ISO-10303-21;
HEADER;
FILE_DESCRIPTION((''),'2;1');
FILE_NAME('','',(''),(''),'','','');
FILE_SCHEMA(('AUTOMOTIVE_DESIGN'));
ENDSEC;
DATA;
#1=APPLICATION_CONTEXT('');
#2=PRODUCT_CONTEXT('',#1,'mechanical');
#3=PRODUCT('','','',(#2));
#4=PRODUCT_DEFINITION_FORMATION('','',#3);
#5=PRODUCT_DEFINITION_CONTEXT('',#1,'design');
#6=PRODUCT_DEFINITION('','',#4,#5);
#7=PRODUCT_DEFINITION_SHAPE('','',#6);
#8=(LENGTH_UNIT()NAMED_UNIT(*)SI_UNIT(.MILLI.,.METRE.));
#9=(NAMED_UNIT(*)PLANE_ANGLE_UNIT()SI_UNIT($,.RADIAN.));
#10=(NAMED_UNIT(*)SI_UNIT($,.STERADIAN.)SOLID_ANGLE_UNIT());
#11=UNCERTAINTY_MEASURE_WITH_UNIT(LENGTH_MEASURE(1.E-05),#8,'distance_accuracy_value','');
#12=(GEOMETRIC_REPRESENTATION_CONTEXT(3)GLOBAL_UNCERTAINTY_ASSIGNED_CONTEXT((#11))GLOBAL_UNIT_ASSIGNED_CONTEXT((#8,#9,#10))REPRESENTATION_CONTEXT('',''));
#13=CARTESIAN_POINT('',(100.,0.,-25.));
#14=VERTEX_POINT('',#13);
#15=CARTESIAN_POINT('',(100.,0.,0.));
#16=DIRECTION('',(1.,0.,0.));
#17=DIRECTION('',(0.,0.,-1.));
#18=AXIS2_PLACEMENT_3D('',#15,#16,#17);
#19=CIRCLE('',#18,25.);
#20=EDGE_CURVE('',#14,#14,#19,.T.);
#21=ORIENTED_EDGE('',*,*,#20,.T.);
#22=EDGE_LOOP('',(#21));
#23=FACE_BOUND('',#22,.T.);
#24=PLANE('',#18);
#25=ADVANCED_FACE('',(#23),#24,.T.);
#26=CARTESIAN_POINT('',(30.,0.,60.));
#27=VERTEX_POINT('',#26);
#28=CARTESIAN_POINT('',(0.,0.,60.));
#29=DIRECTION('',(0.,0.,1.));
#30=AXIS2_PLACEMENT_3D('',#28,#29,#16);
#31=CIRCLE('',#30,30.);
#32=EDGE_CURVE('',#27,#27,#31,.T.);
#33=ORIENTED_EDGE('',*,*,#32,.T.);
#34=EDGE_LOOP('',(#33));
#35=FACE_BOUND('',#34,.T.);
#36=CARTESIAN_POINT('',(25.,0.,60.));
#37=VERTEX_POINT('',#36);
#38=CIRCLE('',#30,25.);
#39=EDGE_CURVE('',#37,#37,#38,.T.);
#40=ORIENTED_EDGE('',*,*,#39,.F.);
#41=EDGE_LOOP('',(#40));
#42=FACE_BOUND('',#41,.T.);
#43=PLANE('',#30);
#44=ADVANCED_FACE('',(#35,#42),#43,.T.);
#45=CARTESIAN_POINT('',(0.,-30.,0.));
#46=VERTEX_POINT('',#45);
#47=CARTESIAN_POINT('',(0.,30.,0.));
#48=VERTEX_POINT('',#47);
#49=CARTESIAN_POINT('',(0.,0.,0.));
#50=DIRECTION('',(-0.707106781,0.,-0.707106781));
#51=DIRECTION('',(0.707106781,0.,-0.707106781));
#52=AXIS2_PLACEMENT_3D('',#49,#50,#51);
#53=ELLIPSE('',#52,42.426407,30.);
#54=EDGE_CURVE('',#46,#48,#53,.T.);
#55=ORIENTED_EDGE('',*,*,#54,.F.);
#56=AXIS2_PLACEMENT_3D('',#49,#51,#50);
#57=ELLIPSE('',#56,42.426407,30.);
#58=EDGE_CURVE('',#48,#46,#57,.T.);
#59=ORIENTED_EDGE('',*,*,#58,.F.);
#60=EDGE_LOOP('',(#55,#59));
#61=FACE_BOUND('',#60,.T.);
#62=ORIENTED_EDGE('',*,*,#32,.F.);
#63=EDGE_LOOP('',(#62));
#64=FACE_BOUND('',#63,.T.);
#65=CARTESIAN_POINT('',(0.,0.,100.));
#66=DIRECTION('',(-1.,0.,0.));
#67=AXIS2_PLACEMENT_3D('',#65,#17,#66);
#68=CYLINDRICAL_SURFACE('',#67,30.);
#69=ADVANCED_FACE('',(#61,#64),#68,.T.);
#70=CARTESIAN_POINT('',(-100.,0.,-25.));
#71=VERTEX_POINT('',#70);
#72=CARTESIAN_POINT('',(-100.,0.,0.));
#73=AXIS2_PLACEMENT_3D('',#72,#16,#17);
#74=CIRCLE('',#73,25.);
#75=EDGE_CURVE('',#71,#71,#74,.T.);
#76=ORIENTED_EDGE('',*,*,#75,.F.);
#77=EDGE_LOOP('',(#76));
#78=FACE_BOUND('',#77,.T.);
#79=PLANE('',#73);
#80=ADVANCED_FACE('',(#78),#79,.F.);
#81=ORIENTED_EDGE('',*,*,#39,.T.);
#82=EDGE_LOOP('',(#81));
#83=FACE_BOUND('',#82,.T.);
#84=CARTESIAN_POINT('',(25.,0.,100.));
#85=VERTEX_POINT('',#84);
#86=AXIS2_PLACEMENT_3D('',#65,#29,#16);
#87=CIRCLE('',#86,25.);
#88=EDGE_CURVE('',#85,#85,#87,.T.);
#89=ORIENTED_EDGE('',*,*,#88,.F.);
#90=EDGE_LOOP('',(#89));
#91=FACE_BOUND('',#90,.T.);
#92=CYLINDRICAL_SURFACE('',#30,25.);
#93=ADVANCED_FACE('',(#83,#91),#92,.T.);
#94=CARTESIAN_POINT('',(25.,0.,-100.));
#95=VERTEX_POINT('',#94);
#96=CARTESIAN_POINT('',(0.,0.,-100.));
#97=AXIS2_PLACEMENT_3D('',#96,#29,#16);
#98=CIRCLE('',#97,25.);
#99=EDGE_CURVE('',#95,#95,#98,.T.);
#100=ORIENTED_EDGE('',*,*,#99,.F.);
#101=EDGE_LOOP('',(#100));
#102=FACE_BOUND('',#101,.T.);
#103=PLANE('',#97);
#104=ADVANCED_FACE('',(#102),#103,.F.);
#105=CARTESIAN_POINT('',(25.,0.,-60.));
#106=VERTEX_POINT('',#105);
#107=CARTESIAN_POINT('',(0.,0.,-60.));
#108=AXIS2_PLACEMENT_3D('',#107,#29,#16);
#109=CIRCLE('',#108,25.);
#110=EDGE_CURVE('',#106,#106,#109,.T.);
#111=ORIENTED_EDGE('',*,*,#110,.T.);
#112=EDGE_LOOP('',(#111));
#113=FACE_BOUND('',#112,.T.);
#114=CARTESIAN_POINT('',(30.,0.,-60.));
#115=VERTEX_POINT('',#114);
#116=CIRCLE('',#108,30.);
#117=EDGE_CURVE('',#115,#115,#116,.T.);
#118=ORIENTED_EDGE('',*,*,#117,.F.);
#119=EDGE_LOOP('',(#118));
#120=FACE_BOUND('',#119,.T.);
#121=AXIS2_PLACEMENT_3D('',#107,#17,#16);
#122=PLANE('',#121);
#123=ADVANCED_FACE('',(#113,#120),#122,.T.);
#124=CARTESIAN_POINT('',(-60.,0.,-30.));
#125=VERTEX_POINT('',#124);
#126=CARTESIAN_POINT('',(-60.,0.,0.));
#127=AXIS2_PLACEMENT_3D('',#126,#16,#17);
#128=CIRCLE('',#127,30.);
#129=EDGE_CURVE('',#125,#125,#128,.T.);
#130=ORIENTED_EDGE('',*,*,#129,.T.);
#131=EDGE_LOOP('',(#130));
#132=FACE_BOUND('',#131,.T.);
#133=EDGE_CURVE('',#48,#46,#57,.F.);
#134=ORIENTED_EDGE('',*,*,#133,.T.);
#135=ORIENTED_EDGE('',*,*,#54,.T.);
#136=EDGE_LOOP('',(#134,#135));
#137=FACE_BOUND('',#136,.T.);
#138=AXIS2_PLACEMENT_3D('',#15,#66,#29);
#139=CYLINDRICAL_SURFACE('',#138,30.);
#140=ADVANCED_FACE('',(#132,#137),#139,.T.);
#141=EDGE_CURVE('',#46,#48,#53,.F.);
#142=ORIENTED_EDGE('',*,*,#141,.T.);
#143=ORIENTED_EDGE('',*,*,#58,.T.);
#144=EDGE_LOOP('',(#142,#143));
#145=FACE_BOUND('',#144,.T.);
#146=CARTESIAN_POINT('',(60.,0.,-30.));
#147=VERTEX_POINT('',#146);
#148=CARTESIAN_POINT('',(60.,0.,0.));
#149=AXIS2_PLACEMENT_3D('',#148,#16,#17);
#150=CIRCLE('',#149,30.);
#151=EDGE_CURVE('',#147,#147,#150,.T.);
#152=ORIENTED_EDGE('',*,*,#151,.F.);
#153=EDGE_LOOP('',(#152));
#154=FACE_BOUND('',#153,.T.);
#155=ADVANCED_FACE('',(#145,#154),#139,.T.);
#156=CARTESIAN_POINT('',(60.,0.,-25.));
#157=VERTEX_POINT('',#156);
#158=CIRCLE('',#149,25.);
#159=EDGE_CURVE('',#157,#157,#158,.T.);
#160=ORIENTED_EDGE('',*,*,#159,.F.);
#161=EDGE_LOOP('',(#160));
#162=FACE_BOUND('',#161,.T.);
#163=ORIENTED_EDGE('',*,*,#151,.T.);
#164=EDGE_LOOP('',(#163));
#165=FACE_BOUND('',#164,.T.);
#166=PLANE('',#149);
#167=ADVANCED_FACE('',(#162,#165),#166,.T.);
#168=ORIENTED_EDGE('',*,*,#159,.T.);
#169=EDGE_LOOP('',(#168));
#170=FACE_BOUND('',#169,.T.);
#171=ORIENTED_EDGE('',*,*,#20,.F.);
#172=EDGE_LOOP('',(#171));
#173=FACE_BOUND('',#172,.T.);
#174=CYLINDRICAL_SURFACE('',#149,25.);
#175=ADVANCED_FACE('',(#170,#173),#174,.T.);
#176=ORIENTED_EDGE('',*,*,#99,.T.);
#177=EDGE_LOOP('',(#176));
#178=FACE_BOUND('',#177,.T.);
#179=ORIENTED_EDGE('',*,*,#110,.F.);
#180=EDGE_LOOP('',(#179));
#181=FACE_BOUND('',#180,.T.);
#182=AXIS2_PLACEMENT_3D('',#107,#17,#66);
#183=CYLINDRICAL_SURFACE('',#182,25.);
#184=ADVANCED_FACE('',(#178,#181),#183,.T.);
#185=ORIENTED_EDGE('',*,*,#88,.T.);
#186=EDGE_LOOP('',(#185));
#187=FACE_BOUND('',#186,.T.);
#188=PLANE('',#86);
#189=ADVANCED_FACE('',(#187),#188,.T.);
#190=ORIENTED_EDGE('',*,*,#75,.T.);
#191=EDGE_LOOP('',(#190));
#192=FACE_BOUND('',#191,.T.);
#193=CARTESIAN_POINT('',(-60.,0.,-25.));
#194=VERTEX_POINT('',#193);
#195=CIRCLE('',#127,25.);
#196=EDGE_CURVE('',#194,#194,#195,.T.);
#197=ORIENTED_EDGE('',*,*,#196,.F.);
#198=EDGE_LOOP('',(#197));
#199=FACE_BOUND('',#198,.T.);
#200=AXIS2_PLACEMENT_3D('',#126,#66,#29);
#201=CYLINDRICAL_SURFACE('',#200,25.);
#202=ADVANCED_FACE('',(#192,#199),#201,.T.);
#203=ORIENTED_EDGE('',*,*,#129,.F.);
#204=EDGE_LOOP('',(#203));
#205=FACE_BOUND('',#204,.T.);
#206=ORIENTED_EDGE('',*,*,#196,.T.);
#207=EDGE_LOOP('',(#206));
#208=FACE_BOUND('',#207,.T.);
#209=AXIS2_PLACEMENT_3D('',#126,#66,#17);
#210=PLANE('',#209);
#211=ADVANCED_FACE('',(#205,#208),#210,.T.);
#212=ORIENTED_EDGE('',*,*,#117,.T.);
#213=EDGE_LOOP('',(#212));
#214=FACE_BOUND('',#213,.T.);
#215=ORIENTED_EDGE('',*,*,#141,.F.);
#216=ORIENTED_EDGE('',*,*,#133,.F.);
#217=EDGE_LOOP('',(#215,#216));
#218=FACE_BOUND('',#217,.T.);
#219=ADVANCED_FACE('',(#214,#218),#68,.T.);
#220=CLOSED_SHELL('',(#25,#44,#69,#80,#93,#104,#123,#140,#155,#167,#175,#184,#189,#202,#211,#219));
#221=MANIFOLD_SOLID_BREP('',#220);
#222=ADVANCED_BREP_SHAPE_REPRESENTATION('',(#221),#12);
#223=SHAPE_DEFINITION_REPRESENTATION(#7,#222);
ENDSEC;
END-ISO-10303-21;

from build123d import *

# Parameters (mm, degrees)
SKETCH1_R             = 30
BOSS_EXTRUDE1_DEPTH   = 100
SKETCH2_R             = 30
SKETCH2_R_2           = 25
CUT_EXTRUDE1_DEPTH    = 40
BODY_MOVE_COPY1_ANGLE = 90


with BuildPart() as part:
    # Sketch1 → Boss-Extrude1 (new, symmetric)
    with BuildSketch(Plane.XY):
        Circle(SKETCH1_R)
    extrude(amount=BOSS_EXTRUDE1_DEPTH, both=True)

    # Sketch2 → Cut-Extrude1 (cut)
    with BuildSketch(Plane.XY.offset(100)):
        Circle(SKETCH2_R)
        Circle(SKETCH2_R_2, mode=Mode.SUBTRACT)
    cut_extrude1 = extrude(amount=-CUT_EXTRUDE1_DEPTH, mode=Mode.SUBTRACT)

    # Mirror1: Cut-Extrude1 across plane
    add(cut_extrude1.mirror(Plane.XY), mode=Mode.SUBTRACT)


with BuildPart() as body_2:
    # Body-Move/Copy1: copy of part
    add(part.part.rotate(Axis((0, 0, 0), (0, 1, 0)), BODY_MOVE_COPY1_ANGLE))


with BuildPart() as part_1:
    add(part.part)

    # Combine1: union body 2
    add(body_2.part)


solid = part_1.part
